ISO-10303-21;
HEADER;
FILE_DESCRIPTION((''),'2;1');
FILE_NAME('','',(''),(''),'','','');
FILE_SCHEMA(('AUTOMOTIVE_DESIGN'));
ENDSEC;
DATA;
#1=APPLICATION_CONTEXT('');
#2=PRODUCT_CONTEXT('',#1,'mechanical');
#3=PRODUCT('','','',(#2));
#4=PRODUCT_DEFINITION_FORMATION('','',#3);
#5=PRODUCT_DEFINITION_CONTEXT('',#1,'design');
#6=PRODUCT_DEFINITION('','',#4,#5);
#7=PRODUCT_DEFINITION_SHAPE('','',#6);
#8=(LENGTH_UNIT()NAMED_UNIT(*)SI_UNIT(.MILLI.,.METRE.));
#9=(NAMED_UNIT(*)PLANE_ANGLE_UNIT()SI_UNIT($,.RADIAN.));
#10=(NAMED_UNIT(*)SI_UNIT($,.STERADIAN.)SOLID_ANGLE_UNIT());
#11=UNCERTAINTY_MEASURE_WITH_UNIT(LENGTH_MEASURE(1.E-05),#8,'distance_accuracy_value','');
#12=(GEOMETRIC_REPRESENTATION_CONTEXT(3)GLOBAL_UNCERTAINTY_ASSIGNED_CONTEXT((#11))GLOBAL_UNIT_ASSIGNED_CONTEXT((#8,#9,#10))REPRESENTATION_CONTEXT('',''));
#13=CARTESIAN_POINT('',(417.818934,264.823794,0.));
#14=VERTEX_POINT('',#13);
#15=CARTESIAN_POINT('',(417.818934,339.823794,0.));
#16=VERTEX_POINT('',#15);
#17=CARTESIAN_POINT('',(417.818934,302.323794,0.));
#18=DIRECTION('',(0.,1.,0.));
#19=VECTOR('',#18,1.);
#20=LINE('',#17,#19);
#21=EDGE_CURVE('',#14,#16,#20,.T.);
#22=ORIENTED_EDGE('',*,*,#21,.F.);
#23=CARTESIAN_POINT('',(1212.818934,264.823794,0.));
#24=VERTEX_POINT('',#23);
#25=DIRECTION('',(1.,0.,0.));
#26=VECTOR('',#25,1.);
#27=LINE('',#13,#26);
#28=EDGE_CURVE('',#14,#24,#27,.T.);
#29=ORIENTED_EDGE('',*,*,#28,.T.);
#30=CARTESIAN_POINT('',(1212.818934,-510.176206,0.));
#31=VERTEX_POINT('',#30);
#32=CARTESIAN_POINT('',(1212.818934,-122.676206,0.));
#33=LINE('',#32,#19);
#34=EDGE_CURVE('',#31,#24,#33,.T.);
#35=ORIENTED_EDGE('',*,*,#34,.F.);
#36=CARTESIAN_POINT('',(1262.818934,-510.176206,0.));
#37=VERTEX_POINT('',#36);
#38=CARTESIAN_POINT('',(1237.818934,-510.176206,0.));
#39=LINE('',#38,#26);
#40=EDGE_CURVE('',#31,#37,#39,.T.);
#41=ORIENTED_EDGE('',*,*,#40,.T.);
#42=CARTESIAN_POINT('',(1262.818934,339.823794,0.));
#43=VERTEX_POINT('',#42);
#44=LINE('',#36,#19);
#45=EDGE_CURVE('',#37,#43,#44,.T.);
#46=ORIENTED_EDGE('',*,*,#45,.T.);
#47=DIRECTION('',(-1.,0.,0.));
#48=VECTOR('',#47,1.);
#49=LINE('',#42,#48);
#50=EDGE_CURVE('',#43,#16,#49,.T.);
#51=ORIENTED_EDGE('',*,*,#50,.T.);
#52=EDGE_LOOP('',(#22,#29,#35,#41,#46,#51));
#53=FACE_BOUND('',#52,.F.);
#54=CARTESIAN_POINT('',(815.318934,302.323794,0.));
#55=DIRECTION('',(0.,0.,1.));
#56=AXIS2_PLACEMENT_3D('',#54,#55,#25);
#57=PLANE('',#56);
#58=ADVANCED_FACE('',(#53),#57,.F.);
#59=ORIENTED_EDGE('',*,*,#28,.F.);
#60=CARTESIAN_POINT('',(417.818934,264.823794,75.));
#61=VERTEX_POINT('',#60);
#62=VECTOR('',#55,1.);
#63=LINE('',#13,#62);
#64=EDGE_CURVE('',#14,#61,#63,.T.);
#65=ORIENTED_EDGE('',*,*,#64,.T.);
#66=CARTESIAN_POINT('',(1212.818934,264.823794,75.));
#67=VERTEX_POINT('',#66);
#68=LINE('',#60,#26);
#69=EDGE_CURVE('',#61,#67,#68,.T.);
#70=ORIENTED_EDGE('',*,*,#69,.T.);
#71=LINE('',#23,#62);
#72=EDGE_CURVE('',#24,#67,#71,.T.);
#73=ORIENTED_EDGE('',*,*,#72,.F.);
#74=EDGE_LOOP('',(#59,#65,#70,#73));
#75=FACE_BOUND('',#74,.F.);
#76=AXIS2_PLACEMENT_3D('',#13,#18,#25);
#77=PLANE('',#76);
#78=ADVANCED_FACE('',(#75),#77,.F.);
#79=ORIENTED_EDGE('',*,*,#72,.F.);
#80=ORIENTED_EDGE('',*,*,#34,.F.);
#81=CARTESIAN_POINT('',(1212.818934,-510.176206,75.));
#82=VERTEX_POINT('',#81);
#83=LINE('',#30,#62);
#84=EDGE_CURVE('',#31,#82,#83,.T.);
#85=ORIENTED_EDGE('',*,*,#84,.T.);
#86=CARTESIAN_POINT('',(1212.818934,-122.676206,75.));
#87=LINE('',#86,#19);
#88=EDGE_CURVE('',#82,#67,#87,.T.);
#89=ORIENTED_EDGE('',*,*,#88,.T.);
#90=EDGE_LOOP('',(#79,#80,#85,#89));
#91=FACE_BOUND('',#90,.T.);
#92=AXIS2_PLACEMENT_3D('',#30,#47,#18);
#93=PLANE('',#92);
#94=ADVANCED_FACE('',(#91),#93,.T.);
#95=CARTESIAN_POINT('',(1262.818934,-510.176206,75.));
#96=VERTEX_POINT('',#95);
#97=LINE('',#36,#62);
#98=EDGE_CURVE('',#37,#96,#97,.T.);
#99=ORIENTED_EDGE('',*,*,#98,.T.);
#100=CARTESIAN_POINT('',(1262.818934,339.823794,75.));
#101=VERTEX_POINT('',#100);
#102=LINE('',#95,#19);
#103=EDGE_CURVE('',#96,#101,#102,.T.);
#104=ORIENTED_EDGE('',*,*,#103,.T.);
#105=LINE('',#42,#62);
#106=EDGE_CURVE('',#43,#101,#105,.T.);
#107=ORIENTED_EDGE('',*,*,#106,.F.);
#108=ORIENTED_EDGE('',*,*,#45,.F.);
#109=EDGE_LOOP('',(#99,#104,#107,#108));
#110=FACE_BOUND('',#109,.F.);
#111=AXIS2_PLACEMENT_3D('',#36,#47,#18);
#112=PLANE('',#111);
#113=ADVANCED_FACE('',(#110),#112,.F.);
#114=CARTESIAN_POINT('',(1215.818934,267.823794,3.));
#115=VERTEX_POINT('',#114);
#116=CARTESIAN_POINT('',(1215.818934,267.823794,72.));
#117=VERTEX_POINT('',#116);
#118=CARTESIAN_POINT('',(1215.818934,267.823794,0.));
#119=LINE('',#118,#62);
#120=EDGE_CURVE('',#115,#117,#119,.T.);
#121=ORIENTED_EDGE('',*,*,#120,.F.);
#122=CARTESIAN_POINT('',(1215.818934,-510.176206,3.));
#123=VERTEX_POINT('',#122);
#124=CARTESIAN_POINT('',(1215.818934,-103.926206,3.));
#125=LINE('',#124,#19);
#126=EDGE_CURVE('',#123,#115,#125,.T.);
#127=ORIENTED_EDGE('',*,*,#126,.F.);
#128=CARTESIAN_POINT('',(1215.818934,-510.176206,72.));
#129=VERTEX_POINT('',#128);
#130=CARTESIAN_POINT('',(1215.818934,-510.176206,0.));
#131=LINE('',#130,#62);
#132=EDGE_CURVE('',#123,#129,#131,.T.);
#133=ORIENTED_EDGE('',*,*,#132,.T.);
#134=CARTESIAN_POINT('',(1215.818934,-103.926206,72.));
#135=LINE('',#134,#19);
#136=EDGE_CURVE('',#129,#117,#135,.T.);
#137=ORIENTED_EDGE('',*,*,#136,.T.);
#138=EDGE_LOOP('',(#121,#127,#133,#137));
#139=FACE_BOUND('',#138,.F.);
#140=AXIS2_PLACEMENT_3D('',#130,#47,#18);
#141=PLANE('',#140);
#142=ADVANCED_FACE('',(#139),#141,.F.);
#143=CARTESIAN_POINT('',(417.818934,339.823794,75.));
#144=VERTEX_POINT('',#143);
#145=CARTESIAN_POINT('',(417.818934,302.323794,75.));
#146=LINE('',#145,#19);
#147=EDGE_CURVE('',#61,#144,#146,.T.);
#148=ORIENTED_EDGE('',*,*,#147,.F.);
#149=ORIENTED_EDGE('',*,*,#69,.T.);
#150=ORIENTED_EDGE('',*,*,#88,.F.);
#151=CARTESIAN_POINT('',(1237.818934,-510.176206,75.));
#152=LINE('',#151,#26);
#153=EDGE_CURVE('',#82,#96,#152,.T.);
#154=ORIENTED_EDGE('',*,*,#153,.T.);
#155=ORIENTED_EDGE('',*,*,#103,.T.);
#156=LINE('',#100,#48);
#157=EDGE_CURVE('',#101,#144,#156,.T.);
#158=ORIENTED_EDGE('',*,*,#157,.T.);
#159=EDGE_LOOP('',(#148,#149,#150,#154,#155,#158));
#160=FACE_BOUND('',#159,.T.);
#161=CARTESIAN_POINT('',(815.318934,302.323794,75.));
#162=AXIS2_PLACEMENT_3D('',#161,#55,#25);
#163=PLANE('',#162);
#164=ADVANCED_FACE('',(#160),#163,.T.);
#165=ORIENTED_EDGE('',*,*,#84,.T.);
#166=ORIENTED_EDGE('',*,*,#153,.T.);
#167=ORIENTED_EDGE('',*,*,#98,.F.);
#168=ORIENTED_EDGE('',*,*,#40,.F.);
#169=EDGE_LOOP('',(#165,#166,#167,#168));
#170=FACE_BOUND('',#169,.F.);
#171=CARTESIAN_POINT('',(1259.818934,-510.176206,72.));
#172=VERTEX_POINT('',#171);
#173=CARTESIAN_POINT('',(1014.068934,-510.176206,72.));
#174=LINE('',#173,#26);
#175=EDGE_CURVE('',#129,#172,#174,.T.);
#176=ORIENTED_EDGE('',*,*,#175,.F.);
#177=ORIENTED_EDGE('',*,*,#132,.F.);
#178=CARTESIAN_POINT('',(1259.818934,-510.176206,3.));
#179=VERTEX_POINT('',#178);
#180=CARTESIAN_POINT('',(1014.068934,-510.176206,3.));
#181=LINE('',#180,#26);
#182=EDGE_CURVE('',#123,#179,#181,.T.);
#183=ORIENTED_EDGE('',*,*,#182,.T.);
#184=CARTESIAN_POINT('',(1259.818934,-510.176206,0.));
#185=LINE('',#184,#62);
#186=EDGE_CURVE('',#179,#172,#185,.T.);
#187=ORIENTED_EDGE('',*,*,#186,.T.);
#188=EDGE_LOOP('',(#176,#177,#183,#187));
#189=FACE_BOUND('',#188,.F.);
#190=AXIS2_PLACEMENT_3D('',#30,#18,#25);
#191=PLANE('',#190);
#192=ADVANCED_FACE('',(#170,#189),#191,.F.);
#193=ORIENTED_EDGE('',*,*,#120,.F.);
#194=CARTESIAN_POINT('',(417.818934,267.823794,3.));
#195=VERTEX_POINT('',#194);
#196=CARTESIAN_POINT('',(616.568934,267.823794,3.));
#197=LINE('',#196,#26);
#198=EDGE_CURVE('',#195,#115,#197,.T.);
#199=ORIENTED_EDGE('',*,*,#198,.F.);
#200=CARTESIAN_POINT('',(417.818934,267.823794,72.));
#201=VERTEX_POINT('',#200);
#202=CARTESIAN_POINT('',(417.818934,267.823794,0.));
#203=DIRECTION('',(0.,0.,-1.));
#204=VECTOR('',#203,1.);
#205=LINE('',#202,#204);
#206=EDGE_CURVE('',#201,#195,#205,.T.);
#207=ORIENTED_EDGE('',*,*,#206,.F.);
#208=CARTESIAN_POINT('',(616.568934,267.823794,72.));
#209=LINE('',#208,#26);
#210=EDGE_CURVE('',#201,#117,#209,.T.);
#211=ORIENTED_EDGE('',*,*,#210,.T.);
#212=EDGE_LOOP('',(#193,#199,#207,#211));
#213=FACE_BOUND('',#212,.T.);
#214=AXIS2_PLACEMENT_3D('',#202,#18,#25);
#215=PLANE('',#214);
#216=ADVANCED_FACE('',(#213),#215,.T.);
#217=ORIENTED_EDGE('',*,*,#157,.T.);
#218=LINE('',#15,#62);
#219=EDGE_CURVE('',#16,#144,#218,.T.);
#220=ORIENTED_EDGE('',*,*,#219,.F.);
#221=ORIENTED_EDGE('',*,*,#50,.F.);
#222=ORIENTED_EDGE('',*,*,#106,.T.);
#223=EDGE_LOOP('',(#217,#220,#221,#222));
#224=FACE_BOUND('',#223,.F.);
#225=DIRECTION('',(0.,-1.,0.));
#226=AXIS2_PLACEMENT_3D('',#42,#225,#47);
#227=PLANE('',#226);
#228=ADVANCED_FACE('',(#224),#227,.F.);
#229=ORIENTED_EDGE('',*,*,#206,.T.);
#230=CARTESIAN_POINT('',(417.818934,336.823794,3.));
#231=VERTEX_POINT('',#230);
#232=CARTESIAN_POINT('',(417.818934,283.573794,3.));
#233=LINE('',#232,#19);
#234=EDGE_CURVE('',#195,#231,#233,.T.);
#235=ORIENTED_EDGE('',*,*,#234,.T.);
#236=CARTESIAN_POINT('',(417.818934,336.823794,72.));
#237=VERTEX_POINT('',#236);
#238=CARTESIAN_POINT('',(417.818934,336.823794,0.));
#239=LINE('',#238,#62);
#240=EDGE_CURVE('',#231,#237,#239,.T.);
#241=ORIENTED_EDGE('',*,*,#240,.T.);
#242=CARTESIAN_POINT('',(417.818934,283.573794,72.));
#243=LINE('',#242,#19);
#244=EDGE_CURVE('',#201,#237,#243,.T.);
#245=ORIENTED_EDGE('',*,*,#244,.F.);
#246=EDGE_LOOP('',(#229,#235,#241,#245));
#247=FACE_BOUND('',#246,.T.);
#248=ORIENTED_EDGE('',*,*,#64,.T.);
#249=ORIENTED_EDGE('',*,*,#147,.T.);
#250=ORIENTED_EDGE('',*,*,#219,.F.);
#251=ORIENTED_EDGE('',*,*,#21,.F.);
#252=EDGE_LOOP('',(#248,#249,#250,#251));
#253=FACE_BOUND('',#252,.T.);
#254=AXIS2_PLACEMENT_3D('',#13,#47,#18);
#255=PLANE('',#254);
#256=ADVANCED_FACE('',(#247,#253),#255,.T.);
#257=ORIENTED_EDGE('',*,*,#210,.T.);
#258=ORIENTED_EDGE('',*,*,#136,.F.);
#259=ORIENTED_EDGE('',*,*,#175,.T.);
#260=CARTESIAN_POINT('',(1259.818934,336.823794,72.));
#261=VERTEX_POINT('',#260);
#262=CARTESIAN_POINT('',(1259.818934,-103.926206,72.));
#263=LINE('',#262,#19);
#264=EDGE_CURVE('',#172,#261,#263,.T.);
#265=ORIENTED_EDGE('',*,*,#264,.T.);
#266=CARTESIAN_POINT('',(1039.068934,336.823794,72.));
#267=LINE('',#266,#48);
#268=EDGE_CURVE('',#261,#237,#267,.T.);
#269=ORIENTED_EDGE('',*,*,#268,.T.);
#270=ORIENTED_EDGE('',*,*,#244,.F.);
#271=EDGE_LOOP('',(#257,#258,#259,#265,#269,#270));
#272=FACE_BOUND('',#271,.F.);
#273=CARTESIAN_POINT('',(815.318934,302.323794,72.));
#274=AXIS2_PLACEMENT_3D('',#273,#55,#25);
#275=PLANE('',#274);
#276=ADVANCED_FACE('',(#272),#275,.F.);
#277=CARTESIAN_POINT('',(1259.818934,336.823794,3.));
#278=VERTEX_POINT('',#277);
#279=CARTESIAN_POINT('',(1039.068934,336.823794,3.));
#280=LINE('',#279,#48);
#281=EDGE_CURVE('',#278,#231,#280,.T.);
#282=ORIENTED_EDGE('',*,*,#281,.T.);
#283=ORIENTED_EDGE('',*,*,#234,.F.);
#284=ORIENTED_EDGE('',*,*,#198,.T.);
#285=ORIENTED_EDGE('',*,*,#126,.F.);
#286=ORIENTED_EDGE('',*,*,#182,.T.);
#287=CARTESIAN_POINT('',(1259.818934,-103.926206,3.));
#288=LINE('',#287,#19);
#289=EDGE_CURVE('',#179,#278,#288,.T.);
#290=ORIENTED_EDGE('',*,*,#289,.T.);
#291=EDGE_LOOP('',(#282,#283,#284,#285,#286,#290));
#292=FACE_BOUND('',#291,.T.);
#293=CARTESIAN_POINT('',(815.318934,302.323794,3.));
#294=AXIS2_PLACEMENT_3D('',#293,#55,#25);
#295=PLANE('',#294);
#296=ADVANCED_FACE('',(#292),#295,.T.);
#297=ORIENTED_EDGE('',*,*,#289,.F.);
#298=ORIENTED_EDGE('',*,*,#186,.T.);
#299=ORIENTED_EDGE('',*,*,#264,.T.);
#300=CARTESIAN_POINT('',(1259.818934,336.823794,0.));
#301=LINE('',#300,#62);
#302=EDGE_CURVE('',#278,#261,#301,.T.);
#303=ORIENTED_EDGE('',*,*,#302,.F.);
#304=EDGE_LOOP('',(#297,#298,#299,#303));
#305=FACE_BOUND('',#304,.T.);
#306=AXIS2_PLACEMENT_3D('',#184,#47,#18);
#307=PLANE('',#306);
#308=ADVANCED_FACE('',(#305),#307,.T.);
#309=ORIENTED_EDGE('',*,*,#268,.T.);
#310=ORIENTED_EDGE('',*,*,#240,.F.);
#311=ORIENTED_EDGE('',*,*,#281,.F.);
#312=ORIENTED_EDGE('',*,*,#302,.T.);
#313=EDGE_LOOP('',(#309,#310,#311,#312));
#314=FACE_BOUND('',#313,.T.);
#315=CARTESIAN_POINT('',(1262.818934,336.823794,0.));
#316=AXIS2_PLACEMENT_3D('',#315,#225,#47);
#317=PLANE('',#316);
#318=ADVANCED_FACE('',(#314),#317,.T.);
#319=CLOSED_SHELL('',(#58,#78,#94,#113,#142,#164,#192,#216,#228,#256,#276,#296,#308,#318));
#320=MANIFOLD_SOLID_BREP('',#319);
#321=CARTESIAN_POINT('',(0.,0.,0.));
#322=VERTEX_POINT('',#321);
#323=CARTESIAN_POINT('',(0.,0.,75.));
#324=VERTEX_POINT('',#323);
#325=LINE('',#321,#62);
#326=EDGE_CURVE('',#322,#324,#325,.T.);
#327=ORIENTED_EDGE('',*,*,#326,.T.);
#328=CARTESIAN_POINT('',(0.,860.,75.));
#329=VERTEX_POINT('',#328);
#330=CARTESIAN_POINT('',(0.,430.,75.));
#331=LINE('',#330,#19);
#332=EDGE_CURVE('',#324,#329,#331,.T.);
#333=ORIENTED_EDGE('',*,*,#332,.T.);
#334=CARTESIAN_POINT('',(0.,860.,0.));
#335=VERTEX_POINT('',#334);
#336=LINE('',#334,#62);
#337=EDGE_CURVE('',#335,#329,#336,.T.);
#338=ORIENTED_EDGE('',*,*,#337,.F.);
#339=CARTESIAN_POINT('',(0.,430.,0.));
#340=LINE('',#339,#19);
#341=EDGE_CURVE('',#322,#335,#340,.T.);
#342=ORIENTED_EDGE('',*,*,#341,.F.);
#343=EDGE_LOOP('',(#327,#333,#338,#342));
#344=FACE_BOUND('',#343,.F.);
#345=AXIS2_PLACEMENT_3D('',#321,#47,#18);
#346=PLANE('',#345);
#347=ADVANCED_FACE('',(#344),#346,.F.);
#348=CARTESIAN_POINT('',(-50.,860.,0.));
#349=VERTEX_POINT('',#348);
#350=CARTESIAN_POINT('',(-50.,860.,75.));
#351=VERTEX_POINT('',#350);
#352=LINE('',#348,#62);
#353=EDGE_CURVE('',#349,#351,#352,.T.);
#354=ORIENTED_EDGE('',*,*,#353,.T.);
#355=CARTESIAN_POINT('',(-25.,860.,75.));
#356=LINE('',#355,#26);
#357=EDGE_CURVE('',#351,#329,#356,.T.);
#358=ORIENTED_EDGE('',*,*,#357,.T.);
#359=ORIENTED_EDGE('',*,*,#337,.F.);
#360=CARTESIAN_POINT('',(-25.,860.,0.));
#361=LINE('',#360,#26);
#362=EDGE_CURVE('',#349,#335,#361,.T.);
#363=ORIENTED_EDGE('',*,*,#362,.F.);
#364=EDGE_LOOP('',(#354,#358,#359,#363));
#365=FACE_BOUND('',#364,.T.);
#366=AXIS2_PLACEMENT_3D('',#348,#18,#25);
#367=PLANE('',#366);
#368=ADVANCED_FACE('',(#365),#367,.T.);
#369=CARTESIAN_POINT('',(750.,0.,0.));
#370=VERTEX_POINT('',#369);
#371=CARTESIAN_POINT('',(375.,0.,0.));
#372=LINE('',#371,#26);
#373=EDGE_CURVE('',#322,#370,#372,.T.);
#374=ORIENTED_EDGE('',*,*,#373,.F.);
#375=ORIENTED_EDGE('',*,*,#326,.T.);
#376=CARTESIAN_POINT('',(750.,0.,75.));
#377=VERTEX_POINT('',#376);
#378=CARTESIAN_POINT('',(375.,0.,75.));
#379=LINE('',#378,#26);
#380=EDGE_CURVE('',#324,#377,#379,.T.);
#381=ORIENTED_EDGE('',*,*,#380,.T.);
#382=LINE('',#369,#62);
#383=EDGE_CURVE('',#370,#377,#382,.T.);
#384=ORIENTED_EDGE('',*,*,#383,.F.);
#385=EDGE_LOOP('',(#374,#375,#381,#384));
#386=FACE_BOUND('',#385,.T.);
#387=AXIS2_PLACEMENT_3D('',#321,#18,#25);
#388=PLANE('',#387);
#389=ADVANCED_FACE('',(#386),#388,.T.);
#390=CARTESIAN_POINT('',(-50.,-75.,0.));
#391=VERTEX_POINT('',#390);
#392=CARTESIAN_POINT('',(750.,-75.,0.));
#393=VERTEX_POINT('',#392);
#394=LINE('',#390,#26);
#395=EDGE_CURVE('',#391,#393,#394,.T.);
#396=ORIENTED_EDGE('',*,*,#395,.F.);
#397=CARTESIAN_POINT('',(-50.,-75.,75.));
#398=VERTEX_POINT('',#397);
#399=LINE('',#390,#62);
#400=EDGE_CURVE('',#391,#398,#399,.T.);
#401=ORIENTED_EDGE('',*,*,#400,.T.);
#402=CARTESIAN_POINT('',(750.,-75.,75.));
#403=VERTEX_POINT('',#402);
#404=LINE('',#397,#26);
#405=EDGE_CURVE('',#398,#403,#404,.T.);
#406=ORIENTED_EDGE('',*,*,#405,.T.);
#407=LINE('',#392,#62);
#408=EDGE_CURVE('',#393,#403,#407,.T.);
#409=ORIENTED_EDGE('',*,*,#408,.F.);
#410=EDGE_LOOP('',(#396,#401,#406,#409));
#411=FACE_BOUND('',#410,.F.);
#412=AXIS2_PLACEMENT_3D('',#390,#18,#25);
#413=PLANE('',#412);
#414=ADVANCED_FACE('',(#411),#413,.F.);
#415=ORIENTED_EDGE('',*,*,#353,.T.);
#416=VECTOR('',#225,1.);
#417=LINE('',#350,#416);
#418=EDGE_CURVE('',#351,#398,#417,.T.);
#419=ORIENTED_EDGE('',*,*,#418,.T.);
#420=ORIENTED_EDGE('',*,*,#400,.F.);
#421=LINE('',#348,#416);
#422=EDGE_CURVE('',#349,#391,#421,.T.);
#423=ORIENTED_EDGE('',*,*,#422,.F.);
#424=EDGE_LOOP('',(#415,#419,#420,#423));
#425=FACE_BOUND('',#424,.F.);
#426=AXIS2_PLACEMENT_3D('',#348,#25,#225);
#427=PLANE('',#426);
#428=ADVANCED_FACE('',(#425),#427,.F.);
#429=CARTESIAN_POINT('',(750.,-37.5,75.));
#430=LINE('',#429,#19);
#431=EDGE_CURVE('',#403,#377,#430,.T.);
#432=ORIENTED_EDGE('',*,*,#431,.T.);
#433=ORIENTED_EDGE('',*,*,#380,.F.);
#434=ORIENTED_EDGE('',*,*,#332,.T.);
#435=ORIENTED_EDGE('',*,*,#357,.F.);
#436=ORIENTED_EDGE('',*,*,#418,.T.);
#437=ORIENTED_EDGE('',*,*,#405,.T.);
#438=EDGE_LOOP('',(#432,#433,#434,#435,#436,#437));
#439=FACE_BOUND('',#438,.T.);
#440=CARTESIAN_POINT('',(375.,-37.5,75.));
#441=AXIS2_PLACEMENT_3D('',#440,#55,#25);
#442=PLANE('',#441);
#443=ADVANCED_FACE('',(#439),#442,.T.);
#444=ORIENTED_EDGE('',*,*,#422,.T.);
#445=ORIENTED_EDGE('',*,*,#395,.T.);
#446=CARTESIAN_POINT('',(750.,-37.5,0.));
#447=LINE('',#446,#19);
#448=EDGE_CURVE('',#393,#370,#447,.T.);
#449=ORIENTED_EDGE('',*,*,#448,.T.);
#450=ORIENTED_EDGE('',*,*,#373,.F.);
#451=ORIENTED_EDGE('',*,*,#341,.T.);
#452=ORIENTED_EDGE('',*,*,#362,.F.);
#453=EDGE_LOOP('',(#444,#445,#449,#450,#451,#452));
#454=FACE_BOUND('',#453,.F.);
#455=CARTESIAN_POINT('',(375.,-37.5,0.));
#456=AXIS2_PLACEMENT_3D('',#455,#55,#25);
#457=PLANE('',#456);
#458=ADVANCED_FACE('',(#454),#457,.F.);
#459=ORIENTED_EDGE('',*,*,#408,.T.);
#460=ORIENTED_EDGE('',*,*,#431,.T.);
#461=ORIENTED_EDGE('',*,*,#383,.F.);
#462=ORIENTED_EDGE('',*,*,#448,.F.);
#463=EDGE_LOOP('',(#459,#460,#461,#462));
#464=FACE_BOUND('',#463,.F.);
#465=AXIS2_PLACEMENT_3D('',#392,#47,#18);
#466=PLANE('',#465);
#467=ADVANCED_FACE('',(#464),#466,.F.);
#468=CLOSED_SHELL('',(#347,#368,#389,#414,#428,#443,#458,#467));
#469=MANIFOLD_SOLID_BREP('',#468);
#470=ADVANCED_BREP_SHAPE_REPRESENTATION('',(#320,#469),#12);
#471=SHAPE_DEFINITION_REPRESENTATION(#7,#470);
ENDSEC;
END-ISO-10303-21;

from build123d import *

# Parameters (mm, degrees)
F0_W     = 750
F0_H     = 75
F0_W_2   = 50
F0_H_2   = 860
F1_DEPTH = 75
F2_T     = -3
F3_DEPTH = 75
F0_W_3   = 795
F0_H_3   = 775
F4_T     = -3


with BuildPart() as f1:
    # F0 (on Top) → F1 (new body)
    with BuildSketch(Plane.XY):
        with Locations((375, -37.5)):
            Rectangle(F0_W, F0_H)
        with Locations((-25, 430)):
            Rectangle(F0_W_2, F0_H_2)
        with Locations((-25, -37.5)):
            Rectangle(F0_W_2, F0_H)
    extrude(amount=F1_DEPTH)

    # F2
    f2_openings = [f1.faces().sort_by_distance(p)[0] for p in [
        (750, -37.5, 37.5),
        (-25, 860, 37.5),
    ]]
    offset(amount=F2_T, openings=f2_openings, kind=Kind.INTERSECTION)

    # F0 (on Top) → F3 (join)
    with BuildSketch(Plane.XY):
        with Locations((375, -37.5)):
            Rectangle(F0_W, F0_H)
        with Locations((-25, -37.5)):
            Rectangle(F0_W_2, F0_H)
        with Locations((-25, 430)):
            Rectangle(F0_W_2, F0_H_2)
    extrude(amount=F3_DEPTH)


with BuildPart() as f3:
    # F0 (on Top) → F3, piece 2 (new body)
    with BuildSketch(Plane.XY):
        with Locations((815.3189337254, 302.3237943649)):
            Rectangle(F0_W_3, F0_H)
        with Locations((1237.8189337254, 302.3237943649)):
            Rectangle(F0_W_2, F0_H)
        with Locations((1237.8189337254, -122.6762056351)):
            Rectangle(F0_W_2, F0_H_3)
    extrude(amount=F3_DEPTH)

    # F4
    f4_openings = [f3.faces().sort_by_distance(p)[0] for p in [
        (417.818934, 302.323794, 37.5),
        (1237.818934, -510.176206, 37.5),
    ]]
    offset(amount=F4_T, openings=f4_openings, kind=Kind.INTERSECTION)


solid = Compound([f1.part, f3.part])
